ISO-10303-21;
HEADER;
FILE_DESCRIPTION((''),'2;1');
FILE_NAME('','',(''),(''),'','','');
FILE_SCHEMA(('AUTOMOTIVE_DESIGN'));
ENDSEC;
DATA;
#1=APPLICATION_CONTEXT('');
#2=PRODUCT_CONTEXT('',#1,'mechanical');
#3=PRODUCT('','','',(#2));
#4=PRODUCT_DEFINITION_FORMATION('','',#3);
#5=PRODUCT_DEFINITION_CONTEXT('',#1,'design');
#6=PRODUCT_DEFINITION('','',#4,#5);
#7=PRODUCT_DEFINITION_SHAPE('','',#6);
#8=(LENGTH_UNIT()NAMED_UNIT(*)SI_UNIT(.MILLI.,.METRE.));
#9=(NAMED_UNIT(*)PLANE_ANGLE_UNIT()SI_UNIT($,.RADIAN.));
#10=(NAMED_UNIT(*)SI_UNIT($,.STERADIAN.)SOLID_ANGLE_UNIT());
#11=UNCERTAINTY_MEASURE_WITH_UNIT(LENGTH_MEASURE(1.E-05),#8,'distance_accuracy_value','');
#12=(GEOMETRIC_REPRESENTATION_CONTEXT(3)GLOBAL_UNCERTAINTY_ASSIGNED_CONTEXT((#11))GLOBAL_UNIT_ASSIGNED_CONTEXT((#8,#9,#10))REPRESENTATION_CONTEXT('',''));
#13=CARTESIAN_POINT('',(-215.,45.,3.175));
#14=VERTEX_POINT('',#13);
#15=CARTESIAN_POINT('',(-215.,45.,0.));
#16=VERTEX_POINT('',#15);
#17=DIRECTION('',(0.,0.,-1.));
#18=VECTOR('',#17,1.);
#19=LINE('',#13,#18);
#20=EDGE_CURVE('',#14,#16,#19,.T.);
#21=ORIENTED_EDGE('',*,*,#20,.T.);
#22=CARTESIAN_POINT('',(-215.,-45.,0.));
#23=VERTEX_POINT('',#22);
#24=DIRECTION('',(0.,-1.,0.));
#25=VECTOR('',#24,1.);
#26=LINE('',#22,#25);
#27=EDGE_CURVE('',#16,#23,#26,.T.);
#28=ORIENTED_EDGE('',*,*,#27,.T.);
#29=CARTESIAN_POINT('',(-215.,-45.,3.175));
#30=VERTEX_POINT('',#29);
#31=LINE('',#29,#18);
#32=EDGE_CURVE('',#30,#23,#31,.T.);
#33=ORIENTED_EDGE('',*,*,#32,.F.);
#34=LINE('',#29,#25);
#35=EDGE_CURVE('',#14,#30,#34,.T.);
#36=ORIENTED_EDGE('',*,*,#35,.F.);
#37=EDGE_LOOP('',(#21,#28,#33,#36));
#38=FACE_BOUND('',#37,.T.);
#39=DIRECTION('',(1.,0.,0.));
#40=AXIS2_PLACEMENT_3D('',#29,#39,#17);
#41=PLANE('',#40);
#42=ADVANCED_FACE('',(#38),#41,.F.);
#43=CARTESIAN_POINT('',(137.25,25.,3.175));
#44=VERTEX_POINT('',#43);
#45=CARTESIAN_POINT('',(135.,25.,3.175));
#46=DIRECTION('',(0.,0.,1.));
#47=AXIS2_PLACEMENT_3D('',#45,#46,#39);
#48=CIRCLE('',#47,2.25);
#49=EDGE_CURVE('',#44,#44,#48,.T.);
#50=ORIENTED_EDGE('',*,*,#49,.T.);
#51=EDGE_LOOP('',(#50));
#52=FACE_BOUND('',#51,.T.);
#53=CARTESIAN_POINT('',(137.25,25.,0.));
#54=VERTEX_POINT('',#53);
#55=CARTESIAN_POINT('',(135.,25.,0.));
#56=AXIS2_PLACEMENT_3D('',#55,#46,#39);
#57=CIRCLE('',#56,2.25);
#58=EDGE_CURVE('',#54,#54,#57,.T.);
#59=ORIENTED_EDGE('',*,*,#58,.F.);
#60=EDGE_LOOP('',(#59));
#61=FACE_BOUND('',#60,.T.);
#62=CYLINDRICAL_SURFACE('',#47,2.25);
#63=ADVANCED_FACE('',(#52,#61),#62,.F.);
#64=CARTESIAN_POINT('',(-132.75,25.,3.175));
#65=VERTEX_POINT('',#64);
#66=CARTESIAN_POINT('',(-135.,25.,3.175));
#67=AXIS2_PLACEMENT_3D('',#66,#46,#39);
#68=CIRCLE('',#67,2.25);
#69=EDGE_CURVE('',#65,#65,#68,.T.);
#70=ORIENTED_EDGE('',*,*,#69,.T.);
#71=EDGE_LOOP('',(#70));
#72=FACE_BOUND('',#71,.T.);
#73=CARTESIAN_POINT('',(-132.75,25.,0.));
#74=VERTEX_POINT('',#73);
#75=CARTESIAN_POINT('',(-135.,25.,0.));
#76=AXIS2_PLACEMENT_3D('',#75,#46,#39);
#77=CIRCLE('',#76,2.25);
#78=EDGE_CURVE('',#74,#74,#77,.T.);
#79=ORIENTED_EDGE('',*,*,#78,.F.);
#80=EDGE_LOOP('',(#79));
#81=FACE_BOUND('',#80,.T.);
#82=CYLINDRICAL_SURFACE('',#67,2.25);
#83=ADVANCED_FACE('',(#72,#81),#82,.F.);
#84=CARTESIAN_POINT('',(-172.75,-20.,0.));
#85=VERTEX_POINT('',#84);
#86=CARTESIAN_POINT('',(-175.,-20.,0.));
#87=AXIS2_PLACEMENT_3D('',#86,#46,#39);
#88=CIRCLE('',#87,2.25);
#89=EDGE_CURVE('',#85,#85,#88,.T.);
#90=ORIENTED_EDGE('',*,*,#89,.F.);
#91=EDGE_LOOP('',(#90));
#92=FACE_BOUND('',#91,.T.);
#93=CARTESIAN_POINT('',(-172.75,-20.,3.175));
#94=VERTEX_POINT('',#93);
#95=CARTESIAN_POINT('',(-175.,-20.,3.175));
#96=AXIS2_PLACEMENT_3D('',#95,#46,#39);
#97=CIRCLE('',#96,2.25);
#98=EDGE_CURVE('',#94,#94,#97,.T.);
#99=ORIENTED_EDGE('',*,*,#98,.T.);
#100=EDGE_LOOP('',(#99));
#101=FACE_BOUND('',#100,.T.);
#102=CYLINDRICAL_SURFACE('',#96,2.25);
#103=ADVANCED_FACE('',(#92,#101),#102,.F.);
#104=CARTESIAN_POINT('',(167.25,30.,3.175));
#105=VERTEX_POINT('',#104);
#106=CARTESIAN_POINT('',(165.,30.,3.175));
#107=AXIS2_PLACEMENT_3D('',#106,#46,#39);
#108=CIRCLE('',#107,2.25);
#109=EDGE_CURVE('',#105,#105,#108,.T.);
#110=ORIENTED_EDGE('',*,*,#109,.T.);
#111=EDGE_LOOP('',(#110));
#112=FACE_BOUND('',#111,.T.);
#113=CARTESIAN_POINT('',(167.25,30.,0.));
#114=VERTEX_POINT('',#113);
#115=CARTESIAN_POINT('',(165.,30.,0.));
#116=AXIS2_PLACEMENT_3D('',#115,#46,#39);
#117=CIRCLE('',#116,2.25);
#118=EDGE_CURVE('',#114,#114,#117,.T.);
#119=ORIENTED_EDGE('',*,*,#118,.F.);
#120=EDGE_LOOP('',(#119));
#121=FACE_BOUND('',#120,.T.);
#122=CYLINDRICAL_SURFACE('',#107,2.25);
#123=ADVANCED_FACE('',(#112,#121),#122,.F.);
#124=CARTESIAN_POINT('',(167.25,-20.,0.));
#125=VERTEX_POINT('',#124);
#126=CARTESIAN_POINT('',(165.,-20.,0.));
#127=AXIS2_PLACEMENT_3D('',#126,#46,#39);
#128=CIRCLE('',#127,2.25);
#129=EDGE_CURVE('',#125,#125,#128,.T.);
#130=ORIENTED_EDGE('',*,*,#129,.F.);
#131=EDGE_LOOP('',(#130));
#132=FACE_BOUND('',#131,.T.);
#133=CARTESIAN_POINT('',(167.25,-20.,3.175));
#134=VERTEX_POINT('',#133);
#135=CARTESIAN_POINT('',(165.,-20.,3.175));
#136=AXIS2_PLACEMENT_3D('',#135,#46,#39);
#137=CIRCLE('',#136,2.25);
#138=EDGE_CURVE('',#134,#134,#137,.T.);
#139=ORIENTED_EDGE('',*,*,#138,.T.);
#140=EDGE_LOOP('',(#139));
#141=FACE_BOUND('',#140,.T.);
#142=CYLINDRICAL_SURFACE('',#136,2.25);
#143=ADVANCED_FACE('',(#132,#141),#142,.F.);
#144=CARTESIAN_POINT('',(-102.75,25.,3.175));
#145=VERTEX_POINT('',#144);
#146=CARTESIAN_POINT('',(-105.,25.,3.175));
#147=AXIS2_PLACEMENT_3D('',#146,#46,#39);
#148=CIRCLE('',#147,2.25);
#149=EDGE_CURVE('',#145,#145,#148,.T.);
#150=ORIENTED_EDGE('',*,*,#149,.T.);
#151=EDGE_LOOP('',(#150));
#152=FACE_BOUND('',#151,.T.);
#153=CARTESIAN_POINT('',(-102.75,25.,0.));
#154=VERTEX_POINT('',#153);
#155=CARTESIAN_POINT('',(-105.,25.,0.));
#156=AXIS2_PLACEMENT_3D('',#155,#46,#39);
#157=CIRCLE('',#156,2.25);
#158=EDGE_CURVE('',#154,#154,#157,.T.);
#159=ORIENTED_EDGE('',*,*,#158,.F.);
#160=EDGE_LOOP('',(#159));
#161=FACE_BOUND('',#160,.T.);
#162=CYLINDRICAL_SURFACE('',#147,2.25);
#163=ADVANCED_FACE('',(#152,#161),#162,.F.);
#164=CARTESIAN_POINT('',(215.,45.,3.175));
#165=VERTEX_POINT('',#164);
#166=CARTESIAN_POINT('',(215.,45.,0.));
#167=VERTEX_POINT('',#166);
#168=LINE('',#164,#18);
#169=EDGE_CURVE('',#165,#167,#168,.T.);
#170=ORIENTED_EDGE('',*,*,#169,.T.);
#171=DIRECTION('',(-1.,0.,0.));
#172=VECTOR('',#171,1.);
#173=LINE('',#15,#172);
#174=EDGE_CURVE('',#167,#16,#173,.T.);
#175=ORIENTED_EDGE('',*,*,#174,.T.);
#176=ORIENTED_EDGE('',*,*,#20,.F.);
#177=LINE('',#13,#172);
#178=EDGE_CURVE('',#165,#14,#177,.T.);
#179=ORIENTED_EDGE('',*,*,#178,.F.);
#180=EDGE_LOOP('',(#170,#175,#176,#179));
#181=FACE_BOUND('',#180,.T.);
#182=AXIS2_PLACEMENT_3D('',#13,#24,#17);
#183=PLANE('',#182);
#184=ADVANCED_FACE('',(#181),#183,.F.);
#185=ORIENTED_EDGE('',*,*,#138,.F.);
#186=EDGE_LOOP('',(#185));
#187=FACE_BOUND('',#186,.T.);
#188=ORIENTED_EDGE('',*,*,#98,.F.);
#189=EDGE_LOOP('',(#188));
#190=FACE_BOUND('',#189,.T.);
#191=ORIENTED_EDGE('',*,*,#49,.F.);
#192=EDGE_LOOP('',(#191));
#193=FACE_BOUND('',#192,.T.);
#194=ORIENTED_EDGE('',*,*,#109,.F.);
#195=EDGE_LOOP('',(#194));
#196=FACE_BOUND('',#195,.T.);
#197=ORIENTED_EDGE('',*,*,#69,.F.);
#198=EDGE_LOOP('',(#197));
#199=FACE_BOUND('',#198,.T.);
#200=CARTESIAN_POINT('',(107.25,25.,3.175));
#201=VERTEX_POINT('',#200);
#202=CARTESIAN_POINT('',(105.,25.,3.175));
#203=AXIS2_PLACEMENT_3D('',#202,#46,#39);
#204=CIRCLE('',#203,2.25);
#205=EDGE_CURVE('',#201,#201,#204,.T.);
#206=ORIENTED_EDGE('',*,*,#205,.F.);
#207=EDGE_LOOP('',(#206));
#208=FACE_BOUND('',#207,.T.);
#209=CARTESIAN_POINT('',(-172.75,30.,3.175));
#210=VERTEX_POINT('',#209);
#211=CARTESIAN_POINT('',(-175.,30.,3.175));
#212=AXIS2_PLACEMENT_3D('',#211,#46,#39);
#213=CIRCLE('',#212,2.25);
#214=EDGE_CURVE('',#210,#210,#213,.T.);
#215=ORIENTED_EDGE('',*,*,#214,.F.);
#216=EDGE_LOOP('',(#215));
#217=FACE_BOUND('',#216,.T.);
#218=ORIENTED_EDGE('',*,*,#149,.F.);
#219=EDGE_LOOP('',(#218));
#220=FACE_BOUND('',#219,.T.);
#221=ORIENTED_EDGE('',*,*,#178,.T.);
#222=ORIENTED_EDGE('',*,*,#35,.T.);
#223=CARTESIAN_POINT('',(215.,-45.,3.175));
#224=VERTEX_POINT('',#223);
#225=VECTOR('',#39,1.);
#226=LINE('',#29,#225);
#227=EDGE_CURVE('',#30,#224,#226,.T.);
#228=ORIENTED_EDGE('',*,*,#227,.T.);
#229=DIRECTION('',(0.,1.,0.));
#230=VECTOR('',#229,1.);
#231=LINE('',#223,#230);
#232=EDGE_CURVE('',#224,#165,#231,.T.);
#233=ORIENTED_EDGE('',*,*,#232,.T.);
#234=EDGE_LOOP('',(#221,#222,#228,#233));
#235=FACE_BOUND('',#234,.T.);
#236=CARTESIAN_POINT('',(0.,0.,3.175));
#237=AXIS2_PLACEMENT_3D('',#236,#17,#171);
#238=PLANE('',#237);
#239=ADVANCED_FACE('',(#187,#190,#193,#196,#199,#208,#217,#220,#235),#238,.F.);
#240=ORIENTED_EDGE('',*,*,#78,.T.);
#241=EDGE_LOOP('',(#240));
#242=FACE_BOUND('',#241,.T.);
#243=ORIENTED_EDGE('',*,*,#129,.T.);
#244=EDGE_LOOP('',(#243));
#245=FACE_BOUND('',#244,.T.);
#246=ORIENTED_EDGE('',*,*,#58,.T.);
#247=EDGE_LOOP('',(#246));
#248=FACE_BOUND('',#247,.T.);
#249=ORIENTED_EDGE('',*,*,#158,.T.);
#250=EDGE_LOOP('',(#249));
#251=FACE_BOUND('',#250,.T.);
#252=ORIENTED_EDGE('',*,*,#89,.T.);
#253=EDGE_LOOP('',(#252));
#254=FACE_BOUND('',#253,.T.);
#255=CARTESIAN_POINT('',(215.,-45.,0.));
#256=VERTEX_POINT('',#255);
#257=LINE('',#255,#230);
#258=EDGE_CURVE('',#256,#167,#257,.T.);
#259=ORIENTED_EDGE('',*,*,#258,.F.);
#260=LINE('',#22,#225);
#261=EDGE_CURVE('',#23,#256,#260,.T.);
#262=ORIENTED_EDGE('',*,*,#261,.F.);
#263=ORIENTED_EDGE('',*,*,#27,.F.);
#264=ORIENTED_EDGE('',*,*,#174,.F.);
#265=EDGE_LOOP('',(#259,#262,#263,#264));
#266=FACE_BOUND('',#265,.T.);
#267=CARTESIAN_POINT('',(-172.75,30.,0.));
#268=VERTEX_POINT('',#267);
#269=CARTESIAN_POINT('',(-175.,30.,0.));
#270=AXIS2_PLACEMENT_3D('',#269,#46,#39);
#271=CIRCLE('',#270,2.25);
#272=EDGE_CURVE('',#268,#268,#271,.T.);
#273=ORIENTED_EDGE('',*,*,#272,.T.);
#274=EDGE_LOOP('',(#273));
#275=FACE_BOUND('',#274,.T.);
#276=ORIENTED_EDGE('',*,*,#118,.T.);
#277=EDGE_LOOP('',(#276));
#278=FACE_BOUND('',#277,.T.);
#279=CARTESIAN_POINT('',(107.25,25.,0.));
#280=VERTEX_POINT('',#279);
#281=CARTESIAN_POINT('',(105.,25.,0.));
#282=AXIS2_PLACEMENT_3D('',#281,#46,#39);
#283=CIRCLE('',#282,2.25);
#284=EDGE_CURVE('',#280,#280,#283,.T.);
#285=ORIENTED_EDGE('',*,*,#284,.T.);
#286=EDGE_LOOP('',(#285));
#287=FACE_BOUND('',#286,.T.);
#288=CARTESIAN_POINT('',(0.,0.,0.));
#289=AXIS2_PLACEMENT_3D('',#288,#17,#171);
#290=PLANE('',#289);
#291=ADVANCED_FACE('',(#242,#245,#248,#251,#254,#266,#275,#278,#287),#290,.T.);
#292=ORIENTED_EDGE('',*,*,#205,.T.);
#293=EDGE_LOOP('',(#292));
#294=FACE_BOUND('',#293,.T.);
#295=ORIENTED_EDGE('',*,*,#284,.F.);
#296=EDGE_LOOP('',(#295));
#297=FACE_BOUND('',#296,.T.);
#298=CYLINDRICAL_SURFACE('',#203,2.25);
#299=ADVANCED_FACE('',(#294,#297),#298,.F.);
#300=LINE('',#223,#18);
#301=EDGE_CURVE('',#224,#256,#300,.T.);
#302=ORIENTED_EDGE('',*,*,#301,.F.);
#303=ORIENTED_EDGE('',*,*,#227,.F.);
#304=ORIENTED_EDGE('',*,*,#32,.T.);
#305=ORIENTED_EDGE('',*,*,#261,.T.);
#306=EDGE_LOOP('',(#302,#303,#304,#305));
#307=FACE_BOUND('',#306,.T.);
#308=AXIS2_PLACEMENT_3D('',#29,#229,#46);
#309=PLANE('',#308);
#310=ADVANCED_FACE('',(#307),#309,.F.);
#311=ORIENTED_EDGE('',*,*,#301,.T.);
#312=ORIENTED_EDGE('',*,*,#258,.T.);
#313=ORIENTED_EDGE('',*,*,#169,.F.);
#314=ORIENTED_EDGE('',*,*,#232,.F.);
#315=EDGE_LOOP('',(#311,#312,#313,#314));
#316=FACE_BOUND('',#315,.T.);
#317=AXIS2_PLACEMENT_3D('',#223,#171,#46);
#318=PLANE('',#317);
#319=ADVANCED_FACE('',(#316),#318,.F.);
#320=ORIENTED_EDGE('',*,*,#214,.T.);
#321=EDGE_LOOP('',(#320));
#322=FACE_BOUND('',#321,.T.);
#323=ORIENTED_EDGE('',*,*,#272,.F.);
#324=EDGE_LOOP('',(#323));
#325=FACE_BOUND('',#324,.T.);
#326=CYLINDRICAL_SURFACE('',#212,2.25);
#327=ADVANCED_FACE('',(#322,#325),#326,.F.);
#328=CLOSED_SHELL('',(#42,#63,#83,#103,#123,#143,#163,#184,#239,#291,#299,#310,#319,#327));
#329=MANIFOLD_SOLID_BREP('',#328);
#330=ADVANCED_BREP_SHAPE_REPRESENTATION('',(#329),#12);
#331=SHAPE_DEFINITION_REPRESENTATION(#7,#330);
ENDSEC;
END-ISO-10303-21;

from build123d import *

# Parameters (mm, degrees)
SKETCH1_W            = 430
SKETCH1_H            = 90
BOSS_EXTRUDE1_DEPTH  = 3.175
M4_CLEARANCE_HOLE1_D = 4.5
M4_CLEARANCE_HOLE2_D = 4.5


with BuildPart() as part:
    # Sketch1 → Boss-Extrude1 (new body)
    with BuildSketch(Plane.XY):
        Rectangle(SKETCH1_W, SKETCH1_H)
    extrude(amount=BOSS_EXTRUDE1_DEPTH)

    # M4 Clearance Hole1 (through all)
    with Locations(Plane.XY.offset(3.175)):
        with Locations((165, 30), (-175, -20), (-175, 30), (165, -20)):
            Hole(M4_CLEARANCE_HOLE1_D / 2)

    # M4 Clearance Hole2 (through all)
    with Locations(Plane.XY.offset(3.175)):
        with Locations((-135, 25), (-105, 25)):
            m4_clearance_hole2 = Hole(M4_CLEARANCE_HOLE2_D / 2)

    # Mirror1: M4 Clearance Hole2 across plane
    add(m4_clearance_hole2.mirror(Plane(origin=(0, 0, 0), x_dir=(0, 0, 1), z_dir=(1, 0, 0))), mode=Mode.SUBTRACT)


solid = part.part
